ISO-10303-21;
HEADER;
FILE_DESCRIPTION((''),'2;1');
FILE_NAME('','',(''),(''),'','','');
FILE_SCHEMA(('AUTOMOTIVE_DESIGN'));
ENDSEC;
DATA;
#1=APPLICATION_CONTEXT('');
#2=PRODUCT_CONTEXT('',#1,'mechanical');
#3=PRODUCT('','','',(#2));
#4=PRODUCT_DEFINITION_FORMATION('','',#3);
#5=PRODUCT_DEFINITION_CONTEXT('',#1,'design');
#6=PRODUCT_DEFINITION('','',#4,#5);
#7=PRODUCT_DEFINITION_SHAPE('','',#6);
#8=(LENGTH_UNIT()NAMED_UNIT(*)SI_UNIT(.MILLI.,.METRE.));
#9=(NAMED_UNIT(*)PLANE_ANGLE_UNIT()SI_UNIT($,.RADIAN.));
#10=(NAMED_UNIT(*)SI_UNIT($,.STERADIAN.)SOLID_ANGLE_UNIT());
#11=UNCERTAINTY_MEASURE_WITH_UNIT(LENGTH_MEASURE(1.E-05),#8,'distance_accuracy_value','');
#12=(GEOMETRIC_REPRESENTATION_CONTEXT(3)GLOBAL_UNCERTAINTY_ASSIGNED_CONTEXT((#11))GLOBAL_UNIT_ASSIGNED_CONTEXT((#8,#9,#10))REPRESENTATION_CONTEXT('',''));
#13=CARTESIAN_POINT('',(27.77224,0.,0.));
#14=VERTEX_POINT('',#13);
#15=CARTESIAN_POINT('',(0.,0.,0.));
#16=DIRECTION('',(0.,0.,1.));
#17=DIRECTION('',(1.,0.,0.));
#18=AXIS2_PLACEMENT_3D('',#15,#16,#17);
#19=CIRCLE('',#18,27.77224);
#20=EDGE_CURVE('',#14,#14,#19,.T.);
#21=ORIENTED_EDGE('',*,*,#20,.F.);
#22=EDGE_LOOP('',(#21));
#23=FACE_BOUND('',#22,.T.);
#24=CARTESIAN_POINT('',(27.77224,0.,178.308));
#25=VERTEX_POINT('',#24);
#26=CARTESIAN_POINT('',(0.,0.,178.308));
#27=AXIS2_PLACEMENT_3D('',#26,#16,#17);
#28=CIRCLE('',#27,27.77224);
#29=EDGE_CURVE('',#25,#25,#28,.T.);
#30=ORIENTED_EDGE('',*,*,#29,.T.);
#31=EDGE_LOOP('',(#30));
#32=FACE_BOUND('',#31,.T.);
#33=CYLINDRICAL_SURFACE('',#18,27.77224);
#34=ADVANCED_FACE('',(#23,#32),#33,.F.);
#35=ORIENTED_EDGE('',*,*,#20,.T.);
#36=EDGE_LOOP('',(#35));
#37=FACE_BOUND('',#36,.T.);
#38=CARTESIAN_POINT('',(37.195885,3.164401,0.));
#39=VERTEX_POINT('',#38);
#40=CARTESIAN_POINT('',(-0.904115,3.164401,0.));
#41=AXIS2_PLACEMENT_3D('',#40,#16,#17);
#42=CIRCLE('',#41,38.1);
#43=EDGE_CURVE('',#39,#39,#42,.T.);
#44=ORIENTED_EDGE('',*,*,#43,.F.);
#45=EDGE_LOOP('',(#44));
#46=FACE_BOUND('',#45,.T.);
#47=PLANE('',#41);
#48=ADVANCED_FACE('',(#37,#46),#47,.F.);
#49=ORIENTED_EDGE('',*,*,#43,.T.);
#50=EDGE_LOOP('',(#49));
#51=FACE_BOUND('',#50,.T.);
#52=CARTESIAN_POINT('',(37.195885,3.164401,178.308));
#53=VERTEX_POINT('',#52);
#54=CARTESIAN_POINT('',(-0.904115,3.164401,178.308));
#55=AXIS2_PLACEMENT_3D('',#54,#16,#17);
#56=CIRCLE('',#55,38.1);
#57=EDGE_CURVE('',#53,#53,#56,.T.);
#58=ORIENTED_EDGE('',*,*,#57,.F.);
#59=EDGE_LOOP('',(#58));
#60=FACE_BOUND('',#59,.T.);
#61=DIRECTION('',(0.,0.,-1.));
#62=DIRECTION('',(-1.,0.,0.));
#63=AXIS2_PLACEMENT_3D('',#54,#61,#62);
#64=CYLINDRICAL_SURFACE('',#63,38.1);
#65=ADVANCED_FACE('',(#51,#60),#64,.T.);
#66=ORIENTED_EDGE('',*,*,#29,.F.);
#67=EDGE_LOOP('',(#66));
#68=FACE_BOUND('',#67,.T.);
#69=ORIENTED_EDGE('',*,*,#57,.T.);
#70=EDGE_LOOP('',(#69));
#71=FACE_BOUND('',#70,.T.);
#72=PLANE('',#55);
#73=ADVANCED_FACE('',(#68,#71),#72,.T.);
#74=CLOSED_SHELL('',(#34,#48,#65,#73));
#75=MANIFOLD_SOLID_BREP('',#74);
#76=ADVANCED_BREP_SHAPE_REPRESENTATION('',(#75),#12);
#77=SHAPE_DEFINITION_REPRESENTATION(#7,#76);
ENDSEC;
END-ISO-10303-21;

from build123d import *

# Parameters (mm, degrees)
SKETCH1_R           = 38.1
BOSS_EXTRUDE1_DEPTH = 178.308
SKETCH2_R           = 27.772240088
CUT_EXTRUDE2_DEPTH  = 178.308


with BuildPart() as part:
    # Sketch1 → Boss-Extrude1 (new body)
    with BuildSketch(Plane.XY):
        with Locations((-0.904114549, 3.164400921)):
            Circle(SKETCH1_R)
    extrude(amount=BOSS_EXTRUDE1_DEPTH)

    # Sketch2 → Cut-Extrude2 (cut)
    with BuildSketch(Plane.XY.offset(178.308)):
        Circle(SKETCH2_R)
    extrude(amount=-CUT_EXTRUDE2_DEPTH, mode=Mode.SUBTRACT)


solid = part.part
